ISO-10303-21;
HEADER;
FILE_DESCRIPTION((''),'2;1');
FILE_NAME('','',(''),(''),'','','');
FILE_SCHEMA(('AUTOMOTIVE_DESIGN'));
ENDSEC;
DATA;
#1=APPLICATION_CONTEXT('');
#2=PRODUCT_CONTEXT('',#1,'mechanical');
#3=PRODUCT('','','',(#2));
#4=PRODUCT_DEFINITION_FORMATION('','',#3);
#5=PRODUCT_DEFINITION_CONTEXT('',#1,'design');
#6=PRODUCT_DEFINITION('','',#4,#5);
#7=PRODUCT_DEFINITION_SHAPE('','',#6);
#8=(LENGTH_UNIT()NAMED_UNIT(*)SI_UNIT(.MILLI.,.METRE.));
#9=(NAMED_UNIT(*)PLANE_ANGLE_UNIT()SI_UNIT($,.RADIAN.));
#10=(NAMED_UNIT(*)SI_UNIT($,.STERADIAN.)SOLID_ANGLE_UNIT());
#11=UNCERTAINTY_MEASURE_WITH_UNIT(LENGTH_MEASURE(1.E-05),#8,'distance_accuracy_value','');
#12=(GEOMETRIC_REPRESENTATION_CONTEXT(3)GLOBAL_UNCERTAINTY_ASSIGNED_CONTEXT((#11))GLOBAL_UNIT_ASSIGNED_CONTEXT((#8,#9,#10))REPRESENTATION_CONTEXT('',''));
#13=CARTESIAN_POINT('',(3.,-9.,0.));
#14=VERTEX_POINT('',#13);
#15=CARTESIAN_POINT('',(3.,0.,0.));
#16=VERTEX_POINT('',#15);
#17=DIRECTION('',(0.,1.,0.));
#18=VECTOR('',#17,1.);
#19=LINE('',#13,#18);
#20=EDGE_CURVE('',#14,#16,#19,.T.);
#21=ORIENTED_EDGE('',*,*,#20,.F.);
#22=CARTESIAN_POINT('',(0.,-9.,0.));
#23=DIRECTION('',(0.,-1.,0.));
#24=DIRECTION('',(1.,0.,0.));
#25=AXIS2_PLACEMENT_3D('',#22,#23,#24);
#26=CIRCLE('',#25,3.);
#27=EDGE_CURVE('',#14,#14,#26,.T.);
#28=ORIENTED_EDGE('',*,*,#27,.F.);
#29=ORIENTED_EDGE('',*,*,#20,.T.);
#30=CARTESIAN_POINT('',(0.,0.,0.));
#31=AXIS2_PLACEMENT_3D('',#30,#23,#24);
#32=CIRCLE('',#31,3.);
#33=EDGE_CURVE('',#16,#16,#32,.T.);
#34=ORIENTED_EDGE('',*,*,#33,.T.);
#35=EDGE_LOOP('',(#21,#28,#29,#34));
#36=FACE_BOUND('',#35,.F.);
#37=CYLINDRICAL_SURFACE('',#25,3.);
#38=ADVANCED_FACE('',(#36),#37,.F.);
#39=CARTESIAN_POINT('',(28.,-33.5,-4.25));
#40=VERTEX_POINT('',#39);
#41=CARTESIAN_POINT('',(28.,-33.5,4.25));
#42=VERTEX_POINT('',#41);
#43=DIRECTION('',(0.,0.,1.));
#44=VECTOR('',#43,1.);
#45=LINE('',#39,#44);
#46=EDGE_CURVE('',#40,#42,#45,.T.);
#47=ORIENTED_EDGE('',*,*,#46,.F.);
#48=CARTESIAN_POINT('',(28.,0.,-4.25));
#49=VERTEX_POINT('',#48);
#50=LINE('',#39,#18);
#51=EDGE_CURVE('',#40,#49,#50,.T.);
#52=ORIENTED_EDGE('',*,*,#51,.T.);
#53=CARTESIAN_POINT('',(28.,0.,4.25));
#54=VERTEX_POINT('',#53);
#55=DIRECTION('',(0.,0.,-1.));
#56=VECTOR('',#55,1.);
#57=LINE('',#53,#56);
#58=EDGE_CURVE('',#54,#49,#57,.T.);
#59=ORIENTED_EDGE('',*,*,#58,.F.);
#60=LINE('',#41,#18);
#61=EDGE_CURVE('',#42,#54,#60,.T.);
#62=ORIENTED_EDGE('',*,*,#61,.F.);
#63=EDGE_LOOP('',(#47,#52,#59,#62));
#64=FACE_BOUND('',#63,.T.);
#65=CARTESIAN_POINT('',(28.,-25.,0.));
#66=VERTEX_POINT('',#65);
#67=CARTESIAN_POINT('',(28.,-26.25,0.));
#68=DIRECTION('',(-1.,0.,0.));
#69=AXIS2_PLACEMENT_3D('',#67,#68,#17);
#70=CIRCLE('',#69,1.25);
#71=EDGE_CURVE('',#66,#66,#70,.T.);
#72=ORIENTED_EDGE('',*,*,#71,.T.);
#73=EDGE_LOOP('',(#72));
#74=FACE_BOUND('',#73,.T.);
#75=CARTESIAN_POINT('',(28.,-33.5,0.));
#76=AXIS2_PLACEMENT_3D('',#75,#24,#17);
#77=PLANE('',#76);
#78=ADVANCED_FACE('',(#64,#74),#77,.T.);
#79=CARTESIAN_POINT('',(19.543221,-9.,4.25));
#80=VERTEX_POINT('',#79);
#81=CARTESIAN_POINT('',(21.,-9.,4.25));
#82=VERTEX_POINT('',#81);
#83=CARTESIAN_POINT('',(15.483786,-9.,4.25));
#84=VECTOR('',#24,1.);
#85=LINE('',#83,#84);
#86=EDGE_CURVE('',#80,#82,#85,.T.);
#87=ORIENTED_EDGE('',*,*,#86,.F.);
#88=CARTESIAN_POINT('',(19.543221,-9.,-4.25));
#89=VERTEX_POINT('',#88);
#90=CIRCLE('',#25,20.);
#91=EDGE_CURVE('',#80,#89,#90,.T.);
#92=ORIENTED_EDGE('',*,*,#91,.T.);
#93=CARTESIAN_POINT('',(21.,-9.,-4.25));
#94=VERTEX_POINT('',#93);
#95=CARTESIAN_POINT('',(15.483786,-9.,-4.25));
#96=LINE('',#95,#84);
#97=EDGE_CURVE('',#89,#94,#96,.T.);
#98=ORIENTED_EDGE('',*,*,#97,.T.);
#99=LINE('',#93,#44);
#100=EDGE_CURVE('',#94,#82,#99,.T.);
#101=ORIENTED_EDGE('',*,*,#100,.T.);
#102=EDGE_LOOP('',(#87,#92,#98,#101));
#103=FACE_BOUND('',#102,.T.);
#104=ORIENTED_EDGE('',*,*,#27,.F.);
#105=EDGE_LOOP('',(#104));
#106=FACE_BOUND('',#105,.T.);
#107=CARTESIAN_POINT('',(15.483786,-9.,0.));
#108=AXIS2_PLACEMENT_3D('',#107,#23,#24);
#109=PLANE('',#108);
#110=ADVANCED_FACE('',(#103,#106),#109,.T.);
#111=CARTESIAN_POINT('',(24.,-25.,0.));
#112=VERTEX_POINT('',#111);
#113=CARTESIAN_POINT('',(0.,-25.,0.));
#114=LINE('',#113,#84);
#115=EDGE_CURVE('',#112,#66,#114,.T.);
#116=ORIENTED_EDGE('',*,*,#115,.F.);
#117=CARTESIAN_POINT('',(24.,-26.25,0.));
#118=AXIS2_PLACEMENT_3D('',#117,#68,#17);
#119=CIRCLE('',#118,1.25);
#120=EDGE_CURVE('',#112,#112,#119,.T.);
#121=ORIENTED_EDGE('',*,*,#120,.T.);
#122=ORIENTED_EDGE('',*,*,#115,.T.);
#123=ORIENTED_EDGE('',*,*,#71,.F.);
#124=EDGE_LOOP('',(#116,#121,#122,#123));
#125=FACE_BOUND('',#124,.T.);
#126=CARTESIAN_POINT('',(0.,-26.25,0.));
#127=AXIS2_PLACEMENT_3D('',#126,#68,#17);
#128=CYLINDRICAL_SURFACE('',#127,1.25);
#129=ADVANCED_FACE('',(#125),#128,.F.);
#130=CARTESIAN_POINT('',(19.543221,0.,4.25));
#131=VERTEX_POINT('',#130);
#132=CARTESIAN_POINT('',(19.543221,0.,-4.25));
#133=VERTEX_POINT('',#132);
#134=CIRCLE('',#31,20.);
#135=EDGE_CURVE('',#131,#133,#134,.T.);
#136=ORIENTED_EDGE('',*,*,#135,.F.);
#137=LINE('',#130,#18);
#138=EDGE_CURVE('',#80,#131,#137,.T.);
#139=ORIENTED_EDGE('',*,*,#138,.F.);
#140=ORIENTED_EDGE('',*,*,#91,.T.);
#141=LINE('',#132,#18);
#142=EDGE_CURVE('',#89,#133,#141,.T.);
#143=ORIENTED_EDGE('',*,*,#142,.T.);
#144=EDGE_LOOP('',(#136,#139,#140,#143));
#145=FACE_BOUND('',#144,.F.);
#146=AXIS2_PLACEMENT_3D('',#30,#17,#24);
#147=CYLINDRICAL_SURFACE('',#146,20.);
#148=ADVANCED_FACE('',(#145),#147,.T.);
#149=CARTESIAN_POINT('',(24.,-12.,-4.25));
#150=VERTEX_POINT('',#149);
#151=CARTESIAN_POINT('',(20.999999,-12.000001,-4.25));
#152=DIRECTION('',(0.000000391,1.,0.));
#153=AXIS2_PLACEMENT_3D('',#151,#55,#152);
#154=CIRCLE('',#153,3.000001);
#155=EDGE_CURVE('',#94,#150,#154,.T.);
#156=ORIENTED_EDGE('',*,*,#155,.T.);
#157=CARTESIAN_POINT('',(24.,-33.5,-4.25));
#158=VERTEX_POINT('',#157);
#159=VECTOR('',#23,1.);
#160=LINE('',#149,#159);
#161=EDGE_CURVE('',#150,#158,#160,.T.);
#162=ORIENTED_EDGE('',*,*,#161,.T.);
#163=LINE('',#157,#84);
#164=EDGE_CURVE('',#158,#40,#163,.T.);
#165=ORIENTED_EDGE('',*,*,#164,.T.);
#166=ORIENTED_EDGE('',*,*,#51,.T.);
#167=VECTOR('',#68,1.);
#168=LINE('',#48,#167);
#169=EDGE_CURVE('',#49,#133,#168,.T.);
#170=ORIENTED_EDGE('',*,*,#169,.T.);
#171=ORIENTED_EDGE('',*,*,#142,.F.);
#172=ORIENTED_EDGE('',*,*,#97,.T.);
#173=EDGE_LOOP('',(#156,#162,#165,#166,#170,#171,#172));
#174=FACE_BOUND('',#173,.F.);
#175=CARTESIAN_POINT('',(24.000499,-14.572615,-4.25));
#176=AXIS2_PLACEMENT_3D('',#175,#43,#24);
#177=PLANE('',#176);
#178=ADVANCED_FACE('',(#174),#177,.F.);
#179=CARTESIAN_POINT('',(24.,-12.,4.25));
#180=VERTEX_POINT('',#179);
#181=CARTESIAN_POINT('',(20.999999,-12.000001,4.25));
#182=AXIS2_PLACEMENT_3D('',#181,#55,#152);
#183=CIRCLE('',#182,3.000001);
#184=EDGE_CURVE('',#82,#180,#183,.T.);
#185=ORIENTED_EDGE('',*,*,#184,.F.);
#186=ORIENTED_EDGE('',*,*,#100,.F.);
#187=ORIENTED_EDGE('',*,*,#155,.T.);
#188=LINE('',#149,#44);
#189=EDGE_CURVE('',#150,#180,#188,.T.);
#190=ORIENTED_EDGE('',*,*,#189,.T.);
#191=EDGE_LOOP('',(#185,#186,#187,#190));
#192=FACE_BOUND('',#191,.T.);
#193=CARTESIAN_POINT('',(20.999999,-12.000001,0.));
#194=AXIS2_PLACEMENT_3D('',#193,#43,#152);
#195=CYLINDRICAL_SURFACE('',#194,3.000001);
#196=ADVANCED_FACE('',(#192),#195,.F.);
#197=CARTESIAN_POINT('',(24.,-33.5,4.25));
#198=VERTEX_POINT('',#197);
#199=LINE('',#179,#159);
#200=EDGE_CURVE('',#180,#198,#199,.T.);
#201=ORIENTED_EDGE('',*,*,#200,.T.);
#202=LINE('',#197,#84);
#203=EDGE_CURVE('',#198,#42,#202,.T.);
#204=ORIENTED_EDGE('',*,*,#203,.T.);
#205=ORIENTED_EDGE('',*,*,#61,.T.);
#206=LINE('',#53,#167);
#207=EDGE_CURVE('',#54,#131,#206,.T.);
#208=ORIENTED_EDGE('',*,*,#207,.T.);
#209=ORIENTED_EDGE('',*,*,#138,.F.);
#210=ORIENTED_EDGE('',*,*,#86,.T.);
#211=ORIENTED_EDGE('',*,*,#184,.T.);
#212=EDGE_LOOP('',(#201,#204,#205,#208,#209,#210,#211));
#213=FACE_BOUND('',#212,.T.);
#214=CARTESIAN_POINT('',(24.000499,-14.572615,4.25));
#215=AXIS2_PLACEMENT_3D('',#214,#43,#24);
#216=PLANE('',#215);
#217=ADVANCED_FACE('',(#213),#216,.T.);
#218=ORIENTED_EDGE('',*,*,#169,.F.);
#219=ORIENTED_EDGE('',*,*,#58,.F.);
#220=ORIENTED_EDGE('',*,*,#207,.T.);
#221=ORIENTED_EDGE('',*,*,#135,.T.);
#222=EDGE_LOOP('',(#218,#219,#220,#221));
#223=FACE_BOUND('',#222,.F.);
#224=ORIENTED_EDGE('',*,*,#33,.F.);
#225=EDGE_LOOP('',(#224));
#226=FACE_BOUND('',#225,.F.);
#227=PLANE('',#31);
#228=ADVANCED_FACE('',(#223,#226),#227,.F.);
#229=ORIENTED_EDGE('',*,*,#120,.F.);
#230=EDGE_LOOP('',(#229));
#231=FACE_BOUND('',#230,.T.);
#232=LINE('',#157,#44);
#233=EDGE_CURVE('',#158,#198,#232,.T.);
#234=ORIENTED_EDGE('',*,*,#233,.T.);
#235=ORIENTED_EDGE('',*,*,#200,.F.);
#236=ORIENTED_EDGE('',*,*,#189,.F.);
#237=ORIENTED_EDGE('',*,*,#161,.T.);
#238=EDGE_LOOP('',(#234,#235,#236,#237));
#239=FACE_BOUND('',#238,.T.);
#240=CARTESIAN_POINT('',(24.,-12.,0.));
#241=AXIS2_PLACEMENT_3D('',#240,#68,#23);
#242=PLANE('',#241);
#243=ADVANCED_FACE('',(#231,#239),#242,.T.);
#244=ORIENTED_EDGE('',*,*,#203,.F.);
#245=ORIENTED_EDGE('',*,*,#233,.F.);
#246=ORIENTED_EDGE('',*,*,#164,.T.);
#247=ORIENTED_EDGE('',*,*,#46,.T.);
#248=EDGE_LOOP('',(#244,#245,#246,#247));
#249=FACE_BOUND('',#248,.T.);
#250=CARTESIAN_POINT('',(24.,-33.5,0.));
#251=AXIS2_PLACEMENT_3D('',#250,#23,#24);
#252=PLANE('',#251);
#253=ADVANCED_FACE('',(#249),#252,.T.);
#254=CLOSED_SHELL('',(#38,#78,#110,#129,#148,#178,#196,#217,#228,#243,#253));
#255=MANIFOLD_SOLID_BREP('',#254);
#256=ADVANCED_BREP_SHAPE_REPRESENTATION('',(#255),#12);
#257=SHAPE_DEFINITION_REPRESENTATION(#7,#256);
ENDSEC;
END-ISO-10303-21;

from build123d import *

# Parameters (mm, degrees)
F0_R     = 20
F1_DEPTH = 9
F2_R     = 3
F3_DEPTH = 9.001
F5_DEPTH = 4.25
F6_R     = 1.25
F7_DEPTH = 28.001


with BuildPart() as f1:
    # F0 (on Front) → F1 (new body)
    with BuildSketch(Plane.XZ):
        Circle(F0_R)
    extrude(amount=F1_DEPTH)

    # F2 (on face) → F3 (cut, through all)
    with BuildSketch(Plane.XZ.offset(9)):
        Circle(F2_R)
    extrude(amount=-F3_DEPTH, mode=Mode.SUBTRACT)

    # F4 (on Top) → F5 (join, symmetric)
    with BuildSketch(Plane.XY):
        with BuildLine():
            Line((15.483786, -9), (20, -9))
            Line((20, -9), (21, -9))
            ThreePointArc((21, -9), (23.12132, -9.87868), (24, -12))
            Line((24, -12), (24, -33.5))
            Line((24, -33.5), (28, -33.5))
            Line((28, -33.5), (28, -9))
            Line((28, -9), (28, 0))
            Line((28, 0), (20, 0))
            Line((20, 0), (15.483786, 0))
            Line((15.483786, 0), (15.483786, -9))
        make_face()
    extrude(amount=F5_DEPTH, both=True)

    # F6 (on Right) → F7 (cut, through all)
    with BuildSketch(Plane.YZ):
        with Locations((-26.25, 0)):
            Circle(F6_R)
    extrude(amount=F7_DEPTH, mode=Mode.SUBTRACT)


solid = f1.part
